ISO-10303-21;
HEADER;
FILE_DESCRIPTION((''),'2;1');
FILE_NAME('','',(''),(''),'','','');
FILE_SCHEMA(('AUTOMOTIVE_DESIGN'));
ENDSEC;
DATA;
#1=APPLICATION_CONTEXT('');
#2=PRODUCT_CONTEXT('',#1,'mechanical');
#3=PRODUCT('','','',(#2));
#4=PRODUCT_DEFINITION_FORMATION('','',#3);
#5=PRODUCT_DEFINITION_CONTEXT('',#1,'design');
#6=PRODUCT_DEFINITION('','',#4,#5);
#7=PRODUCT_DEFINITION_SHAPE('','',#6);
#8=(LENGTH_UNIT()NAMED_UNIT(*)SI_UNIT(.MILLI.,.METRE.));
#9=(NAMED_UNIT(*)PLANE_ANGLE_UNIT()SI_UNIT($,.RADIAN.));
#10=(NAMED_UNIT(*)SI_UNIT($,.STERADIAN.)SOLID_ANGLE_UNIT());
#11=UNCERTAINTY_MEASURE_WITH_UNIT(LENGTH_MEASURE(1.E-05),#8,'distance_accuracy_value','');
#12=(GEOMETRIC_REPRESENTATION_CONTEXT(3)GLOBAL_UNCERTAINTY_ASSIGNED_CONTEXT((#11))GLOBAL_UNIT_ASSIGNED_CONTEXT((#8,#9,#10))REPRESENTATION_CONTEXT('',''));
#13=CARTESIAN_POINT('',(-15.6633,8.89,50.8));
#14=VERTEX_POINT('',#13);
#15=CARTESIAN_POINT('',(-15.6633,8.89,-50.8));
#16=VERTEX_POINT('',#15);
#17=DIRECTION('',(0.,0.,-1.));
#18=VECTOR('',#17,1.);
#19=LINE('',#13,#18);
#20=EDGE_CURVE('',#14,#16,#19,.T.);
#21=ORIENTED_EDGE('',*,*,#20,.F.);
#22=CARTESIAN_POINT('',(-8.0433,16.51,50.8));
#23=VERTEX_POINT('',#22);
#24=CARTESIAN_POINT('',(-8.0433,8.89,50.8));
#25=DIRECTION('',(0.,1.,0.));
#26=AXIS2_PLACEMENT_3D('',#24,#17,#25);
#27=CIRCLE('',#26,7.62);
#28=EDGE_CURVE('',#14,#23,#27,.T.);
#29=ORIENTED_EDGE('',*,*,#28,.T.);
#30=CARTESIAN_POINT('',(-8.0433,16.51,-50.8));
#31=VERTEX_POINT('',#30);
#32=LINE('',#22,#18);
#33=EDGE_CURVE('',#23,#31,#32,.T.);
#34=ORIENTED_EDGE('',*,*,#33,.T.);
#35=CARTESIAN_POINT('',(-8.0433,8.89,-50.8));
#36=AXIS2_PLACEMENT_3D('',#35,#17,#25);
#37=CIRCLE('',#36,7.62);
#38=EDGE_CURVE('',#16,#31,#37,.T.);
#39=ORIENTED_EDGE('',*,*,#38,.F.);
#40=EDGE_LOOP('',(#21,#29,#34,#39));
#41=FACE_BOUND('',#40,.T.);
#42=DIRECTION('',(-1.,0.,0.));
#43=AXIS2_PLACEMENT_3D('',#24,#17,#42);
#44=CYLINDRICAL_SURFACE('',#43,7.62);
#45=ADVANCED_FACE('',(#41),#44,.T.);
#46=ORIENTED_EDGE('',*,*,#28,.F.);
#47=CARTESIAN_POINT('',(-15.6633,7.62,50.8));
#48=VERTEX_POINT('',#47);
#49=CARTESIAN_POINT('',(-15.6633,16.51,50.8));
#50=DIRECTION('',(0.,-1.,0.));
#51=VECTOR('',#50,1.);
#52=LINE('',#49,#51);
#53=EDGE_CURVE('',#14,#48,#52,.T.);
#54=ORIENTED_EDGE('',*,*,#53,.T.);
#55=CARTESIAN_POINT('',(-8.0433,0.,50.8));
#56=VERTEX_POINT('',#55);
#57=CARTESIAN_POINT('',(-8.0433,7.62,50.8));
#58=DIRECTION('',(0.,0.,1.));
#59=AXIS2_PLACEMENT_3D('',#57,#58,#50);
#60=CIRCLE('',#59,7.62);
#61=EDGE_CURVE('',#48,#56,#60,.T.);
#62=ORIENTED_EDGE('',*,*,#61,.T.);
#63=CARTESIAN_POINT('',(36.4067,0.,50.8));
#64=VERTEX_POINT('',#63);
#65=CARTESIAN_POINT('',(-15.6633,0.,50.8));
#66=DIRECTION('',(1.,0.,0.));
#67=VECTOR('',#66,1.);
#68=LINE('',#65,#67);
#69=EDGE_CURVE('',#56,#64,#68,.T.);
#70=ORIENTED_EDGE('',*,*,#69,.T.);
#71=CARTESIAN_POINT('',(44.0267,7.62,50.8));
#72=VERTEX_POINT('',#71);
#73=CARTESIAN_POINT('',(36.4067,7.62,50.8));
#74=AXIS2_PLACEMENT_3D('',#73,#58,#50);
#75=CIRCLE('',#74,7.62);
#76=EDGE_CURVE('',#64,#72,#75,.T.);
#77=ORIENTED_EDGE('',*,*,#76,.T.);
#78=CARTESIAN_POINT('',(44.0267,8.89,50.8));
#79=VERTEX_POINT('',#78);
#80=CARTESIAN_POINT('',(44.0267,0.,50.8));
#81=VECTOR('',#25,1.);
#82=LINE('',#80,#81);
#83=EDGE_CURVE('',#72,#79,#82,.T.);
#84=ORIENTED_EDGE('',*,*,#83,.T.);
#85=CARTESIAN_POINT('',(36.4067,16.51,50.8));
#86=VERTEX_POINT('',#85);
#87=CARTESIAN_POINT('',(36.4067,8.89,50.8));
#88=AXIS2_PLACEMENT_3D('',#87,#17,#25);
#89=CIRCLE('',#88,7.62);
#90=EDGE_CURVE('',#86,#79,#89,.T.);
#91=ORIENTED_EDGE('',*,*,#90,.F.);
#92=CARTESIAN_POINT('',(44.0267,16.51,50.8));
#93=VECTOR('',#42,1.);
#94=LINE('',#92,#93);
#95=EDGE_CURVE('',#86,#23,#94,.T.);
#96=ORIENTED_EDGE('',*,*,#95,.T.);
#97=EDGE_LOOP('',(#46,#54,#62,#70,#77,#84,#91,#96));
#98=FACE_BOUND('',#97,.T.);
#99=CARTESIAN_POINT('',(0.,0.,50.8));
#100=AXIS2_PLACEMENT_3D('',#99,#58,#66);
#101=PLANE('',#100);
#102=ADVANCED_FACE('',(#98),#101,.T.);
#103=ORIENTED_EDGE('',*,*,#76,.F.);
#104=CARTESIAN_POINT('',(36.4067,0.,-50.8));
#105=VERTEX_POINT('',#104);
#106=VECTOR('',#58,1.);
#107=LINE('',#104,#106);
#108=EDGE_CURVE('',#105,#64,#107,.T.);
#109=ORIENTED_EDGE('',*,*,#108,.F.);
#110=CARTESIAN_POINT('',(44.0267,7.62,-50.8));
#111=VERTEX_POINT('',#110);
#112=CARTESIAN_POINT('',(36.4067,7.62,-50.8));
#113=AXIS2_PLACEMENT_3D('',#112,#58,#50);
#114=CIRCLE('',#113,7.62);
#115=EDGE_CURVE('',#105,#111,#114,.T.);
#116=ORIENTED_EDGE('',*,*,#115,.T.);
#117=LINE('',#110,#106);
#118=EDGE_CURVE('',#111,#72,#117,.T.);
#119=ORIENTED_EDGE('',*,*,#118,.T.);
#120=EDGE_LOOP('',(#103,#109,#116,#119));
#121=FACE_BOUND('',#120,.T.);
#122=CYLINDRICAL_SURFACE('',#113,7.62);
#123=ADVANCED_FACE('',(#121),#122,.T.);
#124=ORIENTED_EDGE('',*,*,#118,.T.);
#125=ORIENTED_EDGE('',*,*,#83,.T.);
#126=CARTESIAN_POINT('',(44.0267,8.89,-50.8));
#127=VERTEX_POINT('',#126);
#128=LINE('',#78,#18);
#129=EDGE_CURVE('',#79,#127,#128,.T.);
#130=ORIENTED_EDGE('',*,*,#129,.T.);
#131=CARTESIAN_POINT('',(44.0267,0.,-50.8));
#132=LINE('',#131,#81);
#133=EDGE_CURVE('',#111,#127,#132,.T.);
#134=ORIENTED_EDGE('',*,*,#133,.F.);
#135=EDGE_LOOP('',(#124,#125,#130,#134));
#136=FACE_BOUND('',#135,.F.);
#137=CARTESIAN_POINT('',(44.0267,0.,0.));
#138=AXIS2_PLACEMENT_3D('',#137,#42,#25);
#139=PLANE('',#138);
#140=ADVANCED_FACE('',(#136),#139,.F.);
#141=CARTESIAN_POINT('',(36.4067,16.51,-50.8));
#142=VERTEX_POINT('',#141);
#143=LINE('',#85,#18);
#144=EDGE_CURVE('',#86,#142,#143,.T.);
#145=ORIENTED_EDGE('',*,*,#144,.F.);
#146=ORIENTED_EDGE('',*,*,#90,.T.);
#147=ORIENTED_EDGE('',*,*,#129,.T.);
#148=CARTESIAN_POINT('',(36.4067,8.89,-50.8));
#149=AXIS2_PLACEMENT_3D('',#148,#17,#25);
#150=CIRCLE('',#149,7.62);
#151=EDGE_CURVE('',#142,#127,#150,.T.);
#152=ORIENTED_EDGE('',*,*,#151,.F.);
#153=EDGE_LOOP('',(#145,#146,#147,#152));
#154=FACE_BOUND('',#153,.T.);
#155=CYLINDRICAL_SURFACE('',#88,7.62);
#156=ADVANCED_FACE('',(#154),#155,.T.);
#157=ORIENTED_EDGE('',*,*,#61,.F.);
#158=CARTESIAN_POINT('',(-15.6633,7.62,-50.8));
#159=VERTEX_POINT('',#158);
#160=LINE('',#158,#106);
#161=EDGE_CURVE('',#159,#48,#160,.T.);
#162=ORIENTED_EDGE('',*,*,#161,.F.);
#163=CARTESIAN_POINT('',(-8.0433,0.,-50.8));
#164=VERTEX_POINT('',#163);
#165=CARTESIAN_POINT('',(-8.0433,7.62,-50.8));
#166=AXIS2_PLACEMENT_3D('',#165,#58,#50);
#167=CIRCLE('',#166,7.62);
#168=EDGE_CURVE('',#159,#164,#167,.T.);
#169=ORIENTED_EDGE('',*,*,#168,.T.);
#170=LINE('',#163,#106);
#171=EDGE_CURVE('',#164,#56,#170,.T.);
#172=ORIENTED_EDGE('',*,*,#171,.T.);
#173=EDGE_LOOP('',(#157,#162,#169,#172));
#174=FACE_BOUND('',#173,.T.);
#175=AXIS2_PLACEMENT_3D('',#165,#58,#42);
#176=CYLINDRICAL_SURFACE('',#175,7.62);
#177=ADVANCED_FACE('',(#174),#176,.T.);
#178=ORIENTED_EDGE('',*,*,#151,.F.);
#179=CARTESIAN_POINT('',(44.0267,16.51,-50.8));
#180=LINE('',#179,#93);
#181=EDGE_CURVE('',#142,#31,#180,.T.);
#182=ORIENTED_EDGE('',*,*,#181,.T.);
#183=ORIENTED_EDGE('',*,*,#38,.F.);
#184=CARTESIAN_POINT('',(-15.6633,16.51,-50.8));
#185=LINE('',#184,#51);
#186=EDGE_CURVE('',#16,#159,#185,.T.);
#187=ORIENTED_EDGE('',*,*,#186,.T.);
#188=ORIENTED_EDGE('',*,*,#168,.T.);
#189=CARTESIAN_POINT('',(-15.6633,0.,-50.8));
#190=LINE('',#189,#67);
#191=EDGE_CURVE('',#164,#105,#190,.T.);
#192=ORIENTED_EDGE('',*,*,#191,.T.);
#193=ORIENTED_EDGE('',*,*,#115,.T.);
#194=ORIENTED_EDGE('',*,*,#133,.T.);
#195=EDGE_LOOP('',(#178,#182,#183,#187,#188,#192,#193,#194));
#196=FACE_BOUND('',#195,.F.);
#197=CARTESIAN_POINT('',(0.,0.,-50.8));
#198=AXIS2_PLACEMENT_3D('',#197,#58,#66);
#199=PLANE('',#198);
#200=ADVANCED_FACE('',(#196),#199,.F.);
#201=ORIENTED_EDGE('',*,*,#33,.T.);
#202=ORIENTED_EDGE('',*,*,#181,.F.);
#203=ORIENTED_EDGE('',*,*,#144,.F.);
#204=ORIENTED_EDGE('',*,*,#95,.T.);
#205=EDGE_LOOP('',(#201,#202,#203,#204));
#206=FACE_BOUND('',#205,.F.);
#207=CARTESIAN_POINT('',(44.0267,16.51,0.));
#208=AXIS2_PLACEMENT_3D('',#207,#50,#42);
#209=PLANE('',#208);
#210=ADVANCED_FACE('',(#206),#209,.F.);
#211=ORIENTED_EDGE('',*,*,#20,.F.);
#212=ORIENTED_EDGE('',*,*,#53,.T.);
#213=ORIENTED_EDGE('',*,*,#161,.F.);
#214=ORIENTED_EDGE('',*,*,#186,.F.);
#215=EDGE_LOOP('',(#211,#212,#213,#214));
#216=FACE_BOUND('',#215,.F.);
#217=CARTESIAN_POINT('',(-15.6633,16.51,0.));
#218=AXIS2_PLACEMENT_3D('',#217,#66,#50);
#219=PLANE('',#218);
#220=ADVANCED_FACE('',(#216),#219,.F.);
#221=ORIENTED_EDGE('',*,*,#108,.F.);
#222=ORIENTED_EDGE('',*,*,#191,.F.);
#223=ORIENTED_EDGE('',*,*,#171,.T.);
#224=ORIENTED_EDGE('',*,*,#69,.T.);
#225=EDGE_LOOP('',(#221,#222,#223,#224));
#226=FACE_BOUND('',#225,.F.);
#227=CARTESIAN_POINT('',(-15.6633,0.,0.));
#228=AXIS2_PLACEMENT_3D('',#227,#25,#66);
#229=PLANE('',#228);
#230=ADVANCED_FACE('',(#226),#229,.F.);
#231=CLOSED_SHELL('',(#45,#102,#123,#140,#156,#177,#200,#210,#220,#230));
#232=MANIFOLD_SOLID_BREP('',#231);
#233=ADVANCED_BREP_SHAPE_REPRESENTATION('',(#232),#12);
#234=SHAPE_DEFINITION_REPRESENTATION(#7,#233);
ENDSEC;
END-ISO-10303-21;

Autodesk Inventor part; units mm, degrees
ref_plane "YZ Plane" through (0, 0, 0) normal (1, 0, 0) x (0, 1, 0)
ref_plane "XZ Plane" through (0, 0, 0) normal (0, 1, 0) x (-1, 0, 0)
ref_plane "XY Plane" through (0, 0, 0) normal (0, 0, 1) x (1, 0, 0)
sketch "Sketch1" plane through (0, 0, 0) normal (0, 0, 1) x (1, 0, 0)
  line L0 (-15.6633, 0) -> (44.0267, 0)
  line L1 (44.0267, 0) -> (44.0267, 16.51)
  line L2 (44.0267, 16.51) -> (-15.6633, 16.51)
  line L3 (-15.6633, 16.51) -> (-15.6633, 0)
  point P0 (0, 0)
  dimension "d0" = 16.51
  dimension "d1" = 59.69
extrude "Extrusion1" add sketch "Sketch1" along normal mid plane 101.6
sketch "Sketch2" plane through (-9.3133, 16.51, 50.8) normal (0, 1, 0) x (1, 0, 0)
  line L0 (-6.35, 101.6) -> (-6.35, 0) projected
  line L1 (53.34, 0) -> (-6.35, 0) projected
  line L2 (53.34, 101.6) -> (53.34, 0) projected
  line L3 (-6.35, 101.6) -> (53.34, 101.6) projected
  line L4 (-6.35, 0) -> (-6.35, 101.6343) construction
  line L5 (-6.35, 101.6343) -> (53.34, 101.6343) construction
  line L6 (53.34, 101.6343) -> (53.34, 0) construction
  line L7 (53.34, 0) -> (-6.35, 0) construction
sketch "Sketch3" plane through (-15.6633, 0, 50.8) normal (0, -1, 0) x (1, 0, 0)
  line L0 (59.69, -101.6) -> (59.69, 0) projected
  line L1 (0, 0) -> (59.69, 0) projected
  line L2 (0, 0) -> (0, -101.6) projected
  line L3 (59.69, -101.6) -> (0, -101.6) projected
  line L4 (0, 0) -> (59.69, 0) projected
  line L5 (59.69, 0) -> (59.6518, -101.6224) construction
  line L6 (59.6518, -101.6224) -> (0, -101.6) construction
  line L7 (0, -101.6) -> (0.0382, 0.0224) construction
  line L8 (0.0382, 0.0224) -> (59.69, 0) construction
  point P0 (15.6633, -50.8)
sketch "Sketch4" plane through (44.0267, 0, 50.8) normal (0, 0, 1) x (1, 0, 0)
  line L0 (-59.69, 0) -> (0, 0) projected
  line L1 (0, 0) -> (0, 16.51) projected
  line L2 (0, 16.51) -> (-59.69, 16.51) projected
  line L3 (-59.69, 16.51) -> (-59.69, 0) projected
  line L4 (0, 16.51) -> (-59.69, 16.51) projected
  line L5 (-59.69, 16.51) -> (0.0244, 16.4214) construction
  line L6 (0.0244, 16.4214) -> (0, 0) construction
  line L7 (0, 0) -> (-59.7144, 0.0886) construction
  line L8 (-59.7144, 0.0886) -> (-59.69, 16.51) construction
sketch "Sketch5" plane through (0, 0, -50.8) normal (0, 0, -1) x (-1, 0, 0)
  line L0 (-44.0267, 0) -> (15.6633, 0) projected
  line L1 (15.6633, 0) -> (15.6633, 16.51) projected
  line L2 (15.6633, 16.51) -> (-44.0267, 16.51) projected
  line L3 (-44.0267, 16.51) -> (-44.0267, 0) projected
  line L4 (-44.0267, 16.51) -> (15.6633, 16.51) projected
  line L5 (-44.0267, 16.51) -> (15.6877, 16.4214) construction
  line L6 (15.6877, 16.4214) -> (15.6633, 0) construction
  line L7 (15.6633, 0) -> (-44.051, 0.0886) construction
  line L8 (-44.051, 0.0886) -> (-44.0267, 16.51) construction
  point P0 (0, 0)
sketch "Sketch6" plane through (44.0267, 0, 50.8) normal (1, 0, 0) x (0, 0, -1)
  line L0 (101.6, 16.51) -> (0, 16.51) projected
  line L1 (0, 0) -> (0, 16.51) projected
  line L2 (101.6, 0) -> (0, 0) projected
  line L3 (101.6, 16.51) -> (101.6, 0) projected
  line L4 (101.6, 16.51) -> (0, 16.51) projected
  line L5 (0, 16.51) -> (101.6, 16.51) construction
  line L6 (101.6, 16.51) -> (101.6, 0) construction
  line L7 (101.6, 0) -> (0, 0) construction
  line L8 (0, 0) -> (0, 16.51) construction
  point P0 (50.8, 0)
  dimension "d174" = 101.6
  dimension "d175" = 16.51
sketch "Sketch7" plane through (-15.6633, 0, 50.8) normal (-1, 0, 0) x (0, 0, 1)
  line L0 (-101.6, 16.51) -> (-101.6, 0) projected
  line L1 (-101.6, 16.51) -> (0, 16.51) construction
  line L2 (0, 16.51) -> (0, 0) construction
  line L3 (0, 0) -> (-101.6, 0) construction
  line L4 (-101.6, 0) -> (-101.6, 16.51) construction
  point P0 (-50.8, 0)
fillet "Fillet2" radius 7.62 4 edges at (44.0267, 16.51, 0) (44.0267, 0, 0) (-15.6633, 16.51, 0) (-15.6633, 0, 0)
decal "Decal1"
decal "Decal2"
decal "Decal3"
decal "Decal4"
decal "Decal5"
decal "Decal6"
properties part number "Tenergy NiMH Battery Pack 9.6V 2000mAh High Capacity Rechargeable RC Battery"
